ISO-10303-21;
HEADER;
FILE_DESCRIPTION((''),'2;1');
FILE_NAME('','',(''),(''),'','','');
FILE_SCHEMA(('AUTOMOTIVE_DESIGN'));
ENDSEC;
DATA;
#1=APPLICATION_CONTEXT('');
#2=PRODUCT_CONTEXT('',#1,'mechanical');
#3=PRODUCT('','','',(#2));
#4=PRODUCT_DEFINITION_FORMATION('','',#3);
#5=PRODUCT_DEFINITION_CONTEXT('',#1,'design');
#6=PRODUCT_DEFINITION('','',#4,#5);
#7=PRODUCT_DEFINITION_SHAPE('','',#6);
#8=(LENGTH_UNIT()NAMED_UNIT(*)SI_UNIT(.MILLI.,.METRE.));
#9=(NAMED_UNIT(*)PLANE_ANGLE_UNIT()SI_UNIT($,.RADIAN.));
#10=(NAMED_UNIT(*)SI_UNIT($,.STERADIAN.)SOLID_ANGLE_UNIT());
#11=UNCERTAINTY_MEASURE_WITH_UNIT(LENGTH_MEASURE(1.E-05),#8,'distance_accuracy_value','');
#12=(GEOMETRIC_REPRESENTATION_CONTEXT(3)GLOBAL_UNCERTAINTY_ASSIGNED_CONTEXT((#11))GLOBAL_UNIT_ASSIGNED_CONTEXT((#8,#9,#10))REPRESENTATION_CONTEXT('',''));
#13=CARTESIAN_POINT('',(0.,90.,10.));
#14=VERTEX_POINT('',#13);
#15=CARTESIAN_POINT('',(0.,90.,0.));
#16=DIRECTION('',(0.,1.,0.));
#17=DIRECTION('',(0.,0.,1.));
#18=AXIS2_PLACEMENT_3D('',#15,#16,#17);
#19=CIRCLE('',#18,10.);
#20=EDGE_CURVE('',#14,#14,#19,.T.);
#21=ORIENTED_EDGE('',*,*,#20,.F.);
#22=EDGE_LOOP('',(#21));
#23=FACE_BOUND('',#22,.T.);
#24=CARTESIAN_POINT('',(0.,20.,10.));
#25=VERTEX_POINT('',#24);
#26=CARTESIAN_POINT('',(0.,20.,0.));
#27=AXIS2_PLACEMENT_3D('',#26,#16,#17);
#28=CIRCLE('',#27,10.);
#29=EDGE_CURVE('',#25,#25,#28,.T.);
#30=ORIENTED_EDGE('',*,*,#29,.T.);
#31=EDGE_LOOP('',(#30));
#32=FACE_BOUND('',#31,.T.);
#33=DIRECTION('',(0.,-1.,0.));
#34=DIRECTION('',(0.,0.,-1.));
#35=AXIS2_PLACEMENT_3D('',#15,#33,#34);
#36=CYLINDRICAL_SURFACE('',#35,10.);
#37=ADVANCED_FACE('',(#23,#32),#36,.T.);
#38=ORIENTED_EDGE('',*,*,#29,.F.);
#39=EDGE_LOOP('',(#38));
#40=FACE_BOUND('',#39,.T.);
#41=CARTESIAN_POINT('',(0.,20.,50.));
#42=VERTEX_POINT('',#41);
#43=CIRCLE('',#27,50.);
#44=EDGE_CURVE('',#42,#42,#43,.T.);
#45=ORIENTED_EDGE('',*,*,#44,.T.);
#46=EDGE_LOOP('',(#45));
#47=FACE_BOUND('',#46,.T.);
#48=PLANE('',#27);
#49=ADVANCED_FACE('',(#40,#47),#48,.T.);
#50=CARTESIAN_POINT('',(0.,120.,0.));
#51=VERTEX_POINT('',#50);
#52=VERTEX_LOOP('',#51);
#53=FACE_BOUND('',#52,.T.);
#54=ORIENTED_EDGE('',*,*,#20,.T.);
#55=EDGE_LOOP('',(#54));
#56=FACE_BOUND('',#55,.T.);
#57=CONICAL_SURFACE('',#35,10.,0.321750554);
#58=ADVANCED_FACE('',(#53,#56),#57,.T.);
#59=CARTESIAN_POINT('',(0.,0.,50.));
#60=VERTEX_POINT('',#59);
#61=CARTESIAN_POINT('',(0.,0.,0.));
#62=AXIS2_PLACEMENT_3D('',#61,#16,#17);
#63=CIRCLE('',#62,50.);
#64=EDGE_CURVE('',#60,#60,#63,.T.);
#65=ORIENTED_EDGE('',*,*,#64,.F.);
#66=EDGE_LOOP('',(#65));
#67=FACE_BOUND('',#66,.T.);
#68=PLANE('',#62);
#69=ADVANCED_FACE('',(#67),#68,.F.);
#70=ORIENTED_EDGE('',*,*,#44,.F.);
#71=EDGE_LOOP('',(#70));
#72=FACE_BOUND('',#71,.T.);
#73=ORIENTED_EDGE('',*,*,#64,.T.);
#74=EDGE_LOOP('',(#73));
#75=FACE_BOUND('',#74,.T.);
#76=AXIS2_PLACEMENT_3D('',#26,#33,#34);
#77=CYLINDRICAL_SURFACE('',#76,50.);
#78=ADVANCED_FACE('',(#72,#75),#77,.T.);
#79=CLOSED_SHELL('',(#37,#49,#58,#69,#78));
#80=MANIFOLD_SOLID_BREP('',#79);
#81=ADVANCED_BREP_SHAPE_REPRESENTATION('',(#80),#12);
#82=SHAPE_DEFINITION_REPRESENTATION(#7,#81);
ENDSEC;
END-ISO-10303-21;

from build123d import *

# Parameters (mm, degrees)
SKETCH_2_R      = 50
EXTRUDE_1_DEPTH = 20
SKETCH_3_R      = 10
EXTRUDE_2_DEPTH = 70


with BuildPart() as part:
    # 草图2 → 凸台-拉伸1 (new body)
    with BuildSketch(Plane(origin=(0, 0, 0), x_dir=(1, 0, 0), z_dir=(0, 1, 0))):
        with Locations(Location((0, 0, 0), (0, 0, 270))):
            Circle(SKETCH_2_R)
    extrude(amount=EXTRUDE_1_DEPTH)

    # 草图3 → 凸台-拉伸2 (add)
    with BuildSketch(Plane(origin=(0, 20, 0), x_dir=(1, 0, 0), z_dir=(0, 1, 0))):
        with Locations(Location((0, 0, 0), (0, 0, 270))):
            Circle(SKETCH_3_R)
    extrude(amount=EXTRUDE_2_DEPTH)

    # 草图4 → 旋转1 (revolve)
    with BuildSketch(Plane.XY, mode=Mode.PRIVATE) as revolve_1_sk:
        Polygon((0, 90), (10, 90), (0, 120), align=None)
    revolve(revolve_1_sk.sketch.rotate(Axis((0, 0, 0), (0, 1, 0)), 90), axis=Axis((0, 0, 0), (0, 1, 0)))


solid = part.part
